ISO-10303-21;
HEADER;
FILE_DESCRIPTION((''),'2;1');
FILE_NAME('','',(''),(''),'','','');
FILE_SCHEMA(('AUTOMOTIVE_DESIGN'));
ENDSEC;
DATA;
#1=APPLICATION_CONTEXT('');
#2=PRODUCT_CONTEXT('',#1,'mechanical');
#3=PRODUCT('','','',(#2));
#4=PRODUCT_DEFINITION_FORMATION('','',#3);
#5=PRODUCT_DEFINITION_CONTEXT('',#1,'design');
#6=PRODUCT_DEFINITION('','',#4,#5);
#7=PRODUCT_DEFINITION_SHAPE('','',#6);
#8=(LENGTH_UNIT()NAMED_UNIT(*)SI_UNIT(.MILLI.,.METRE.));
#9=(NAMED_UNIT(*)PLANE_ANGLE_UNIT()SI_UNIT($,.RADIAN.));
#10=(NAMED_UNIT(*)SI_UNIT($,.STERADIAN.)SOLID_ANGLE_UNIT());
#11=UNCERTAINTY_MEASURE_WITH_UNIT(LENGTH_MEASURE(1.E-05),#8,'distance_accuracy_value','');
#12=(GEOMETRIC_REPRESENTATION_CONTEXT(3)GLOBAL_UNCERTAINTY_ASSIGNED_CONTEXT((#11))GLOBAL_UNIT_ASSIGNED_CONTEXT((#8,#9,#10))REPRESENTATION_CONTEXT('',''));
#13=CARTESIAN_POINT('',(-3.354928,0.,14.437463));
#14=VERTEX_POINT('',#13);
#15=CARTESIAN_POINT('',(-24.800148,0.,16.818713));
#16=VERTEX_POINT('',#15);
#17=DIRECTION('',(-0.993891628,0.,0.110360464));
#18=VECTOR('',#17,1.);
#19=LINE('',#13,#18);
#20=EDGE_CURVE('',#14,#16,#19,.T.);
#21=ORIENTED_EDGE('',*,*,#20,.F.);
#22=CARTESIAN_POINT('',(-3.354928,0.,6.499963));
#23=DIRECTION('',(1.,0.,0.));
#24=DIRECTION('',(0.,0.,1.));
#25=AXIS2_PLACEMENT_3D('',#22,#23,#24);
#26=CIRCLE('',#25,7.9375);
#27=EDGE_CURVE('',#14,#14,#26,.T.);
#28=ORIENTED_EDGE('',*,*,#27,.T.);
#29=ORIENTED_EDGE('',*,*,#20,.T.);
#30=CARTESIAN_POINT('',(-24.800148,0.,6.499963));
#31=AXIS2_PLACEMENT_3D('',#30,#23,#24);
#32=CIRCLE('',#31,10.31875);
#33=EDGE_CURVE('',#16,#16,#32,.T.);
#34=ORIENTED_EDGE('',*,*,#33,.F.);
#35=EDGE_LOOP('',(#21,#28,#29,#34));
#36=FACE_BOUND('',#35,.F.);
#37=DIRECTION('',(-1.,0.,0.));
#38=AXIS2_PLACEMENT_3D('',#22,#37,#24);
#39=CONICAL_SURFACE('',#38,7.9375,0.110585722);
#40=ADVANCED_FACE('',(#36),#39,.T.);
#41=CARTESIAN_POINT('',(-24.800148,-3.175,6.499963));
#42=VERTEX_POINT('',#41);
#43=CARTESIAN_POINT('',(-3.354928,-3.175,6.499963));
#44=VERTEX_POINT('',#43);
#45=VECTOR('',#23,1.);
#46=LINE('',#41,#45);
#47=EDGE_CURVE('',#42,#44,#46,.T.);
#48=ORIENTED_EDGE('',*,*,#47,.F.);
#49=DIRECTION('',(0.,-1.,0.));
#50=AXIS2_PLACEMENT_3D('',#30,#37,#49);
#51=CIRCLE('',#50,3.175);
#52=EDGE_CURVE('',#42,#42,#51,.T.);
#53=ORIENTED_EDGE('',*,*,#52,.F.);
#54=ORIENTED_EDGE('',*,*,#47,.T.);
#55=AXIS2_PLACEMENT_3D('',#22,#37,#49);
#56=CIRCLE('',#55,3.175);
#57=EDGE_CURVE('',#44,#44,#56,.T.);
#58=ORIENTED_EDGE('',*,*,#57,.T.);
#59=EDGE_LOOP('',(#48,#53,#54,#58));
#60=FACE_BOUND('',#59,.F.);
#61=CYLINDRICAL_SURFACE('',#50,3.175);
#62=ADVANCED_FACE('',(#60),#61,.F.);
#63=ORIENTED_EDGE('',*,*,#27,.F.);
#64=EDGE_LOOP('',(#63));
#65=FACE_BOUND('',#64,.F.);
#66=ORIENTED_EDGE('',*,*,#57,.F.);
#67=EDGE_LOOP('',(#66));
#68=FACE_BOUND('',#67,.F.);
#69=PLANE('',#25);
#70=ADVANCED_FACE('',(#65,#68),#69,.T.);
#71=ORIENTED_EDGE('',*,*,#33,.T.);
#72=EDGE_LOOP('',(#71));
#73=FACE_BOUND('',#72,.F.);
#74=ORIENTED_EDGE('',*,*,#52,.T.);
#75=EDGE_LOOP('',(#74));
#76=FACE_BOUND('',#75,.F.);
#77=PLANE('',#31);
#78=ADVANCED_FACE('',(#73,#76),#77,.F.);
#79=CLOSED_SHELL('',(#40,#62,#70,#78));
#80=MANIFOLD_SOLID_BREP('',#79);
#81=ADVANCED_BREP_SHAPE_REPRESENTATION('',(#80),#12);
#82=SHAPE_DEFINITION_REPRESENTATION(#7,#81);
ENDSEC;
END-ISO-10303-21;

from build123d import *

# Parameters (mm, degrees)
F2_R     = 3.175
F3_DEPTH = 25.4


with BuildPart() as f1:
    # F0 (on Front) → F1 (revolve)
    with BuildSketch(Plane.XZ):
        Polygon((-3.354928, 14.437463), (-24.800148, 16.818713), (-24.800148, 6.499963), (-3.354928, 6.499963), align=None)
    revolve(axis=Axis((-14.077538, 0, 6.499963), (1, 0, 0)))

    # F2 (on face) → F3 (cut)
    with BuildSketch(Plane(origin=(-24.800148, 0, 0), x_dir=(0, -1, 0), z_dir=(-1, 0, 0))):
        with Locations((0, 6.499963)):
            Circle(F2_R)
    extrude(amount=-F3_DEPTH, mode=Mode.SUBTRACT)


solid = f1.part
